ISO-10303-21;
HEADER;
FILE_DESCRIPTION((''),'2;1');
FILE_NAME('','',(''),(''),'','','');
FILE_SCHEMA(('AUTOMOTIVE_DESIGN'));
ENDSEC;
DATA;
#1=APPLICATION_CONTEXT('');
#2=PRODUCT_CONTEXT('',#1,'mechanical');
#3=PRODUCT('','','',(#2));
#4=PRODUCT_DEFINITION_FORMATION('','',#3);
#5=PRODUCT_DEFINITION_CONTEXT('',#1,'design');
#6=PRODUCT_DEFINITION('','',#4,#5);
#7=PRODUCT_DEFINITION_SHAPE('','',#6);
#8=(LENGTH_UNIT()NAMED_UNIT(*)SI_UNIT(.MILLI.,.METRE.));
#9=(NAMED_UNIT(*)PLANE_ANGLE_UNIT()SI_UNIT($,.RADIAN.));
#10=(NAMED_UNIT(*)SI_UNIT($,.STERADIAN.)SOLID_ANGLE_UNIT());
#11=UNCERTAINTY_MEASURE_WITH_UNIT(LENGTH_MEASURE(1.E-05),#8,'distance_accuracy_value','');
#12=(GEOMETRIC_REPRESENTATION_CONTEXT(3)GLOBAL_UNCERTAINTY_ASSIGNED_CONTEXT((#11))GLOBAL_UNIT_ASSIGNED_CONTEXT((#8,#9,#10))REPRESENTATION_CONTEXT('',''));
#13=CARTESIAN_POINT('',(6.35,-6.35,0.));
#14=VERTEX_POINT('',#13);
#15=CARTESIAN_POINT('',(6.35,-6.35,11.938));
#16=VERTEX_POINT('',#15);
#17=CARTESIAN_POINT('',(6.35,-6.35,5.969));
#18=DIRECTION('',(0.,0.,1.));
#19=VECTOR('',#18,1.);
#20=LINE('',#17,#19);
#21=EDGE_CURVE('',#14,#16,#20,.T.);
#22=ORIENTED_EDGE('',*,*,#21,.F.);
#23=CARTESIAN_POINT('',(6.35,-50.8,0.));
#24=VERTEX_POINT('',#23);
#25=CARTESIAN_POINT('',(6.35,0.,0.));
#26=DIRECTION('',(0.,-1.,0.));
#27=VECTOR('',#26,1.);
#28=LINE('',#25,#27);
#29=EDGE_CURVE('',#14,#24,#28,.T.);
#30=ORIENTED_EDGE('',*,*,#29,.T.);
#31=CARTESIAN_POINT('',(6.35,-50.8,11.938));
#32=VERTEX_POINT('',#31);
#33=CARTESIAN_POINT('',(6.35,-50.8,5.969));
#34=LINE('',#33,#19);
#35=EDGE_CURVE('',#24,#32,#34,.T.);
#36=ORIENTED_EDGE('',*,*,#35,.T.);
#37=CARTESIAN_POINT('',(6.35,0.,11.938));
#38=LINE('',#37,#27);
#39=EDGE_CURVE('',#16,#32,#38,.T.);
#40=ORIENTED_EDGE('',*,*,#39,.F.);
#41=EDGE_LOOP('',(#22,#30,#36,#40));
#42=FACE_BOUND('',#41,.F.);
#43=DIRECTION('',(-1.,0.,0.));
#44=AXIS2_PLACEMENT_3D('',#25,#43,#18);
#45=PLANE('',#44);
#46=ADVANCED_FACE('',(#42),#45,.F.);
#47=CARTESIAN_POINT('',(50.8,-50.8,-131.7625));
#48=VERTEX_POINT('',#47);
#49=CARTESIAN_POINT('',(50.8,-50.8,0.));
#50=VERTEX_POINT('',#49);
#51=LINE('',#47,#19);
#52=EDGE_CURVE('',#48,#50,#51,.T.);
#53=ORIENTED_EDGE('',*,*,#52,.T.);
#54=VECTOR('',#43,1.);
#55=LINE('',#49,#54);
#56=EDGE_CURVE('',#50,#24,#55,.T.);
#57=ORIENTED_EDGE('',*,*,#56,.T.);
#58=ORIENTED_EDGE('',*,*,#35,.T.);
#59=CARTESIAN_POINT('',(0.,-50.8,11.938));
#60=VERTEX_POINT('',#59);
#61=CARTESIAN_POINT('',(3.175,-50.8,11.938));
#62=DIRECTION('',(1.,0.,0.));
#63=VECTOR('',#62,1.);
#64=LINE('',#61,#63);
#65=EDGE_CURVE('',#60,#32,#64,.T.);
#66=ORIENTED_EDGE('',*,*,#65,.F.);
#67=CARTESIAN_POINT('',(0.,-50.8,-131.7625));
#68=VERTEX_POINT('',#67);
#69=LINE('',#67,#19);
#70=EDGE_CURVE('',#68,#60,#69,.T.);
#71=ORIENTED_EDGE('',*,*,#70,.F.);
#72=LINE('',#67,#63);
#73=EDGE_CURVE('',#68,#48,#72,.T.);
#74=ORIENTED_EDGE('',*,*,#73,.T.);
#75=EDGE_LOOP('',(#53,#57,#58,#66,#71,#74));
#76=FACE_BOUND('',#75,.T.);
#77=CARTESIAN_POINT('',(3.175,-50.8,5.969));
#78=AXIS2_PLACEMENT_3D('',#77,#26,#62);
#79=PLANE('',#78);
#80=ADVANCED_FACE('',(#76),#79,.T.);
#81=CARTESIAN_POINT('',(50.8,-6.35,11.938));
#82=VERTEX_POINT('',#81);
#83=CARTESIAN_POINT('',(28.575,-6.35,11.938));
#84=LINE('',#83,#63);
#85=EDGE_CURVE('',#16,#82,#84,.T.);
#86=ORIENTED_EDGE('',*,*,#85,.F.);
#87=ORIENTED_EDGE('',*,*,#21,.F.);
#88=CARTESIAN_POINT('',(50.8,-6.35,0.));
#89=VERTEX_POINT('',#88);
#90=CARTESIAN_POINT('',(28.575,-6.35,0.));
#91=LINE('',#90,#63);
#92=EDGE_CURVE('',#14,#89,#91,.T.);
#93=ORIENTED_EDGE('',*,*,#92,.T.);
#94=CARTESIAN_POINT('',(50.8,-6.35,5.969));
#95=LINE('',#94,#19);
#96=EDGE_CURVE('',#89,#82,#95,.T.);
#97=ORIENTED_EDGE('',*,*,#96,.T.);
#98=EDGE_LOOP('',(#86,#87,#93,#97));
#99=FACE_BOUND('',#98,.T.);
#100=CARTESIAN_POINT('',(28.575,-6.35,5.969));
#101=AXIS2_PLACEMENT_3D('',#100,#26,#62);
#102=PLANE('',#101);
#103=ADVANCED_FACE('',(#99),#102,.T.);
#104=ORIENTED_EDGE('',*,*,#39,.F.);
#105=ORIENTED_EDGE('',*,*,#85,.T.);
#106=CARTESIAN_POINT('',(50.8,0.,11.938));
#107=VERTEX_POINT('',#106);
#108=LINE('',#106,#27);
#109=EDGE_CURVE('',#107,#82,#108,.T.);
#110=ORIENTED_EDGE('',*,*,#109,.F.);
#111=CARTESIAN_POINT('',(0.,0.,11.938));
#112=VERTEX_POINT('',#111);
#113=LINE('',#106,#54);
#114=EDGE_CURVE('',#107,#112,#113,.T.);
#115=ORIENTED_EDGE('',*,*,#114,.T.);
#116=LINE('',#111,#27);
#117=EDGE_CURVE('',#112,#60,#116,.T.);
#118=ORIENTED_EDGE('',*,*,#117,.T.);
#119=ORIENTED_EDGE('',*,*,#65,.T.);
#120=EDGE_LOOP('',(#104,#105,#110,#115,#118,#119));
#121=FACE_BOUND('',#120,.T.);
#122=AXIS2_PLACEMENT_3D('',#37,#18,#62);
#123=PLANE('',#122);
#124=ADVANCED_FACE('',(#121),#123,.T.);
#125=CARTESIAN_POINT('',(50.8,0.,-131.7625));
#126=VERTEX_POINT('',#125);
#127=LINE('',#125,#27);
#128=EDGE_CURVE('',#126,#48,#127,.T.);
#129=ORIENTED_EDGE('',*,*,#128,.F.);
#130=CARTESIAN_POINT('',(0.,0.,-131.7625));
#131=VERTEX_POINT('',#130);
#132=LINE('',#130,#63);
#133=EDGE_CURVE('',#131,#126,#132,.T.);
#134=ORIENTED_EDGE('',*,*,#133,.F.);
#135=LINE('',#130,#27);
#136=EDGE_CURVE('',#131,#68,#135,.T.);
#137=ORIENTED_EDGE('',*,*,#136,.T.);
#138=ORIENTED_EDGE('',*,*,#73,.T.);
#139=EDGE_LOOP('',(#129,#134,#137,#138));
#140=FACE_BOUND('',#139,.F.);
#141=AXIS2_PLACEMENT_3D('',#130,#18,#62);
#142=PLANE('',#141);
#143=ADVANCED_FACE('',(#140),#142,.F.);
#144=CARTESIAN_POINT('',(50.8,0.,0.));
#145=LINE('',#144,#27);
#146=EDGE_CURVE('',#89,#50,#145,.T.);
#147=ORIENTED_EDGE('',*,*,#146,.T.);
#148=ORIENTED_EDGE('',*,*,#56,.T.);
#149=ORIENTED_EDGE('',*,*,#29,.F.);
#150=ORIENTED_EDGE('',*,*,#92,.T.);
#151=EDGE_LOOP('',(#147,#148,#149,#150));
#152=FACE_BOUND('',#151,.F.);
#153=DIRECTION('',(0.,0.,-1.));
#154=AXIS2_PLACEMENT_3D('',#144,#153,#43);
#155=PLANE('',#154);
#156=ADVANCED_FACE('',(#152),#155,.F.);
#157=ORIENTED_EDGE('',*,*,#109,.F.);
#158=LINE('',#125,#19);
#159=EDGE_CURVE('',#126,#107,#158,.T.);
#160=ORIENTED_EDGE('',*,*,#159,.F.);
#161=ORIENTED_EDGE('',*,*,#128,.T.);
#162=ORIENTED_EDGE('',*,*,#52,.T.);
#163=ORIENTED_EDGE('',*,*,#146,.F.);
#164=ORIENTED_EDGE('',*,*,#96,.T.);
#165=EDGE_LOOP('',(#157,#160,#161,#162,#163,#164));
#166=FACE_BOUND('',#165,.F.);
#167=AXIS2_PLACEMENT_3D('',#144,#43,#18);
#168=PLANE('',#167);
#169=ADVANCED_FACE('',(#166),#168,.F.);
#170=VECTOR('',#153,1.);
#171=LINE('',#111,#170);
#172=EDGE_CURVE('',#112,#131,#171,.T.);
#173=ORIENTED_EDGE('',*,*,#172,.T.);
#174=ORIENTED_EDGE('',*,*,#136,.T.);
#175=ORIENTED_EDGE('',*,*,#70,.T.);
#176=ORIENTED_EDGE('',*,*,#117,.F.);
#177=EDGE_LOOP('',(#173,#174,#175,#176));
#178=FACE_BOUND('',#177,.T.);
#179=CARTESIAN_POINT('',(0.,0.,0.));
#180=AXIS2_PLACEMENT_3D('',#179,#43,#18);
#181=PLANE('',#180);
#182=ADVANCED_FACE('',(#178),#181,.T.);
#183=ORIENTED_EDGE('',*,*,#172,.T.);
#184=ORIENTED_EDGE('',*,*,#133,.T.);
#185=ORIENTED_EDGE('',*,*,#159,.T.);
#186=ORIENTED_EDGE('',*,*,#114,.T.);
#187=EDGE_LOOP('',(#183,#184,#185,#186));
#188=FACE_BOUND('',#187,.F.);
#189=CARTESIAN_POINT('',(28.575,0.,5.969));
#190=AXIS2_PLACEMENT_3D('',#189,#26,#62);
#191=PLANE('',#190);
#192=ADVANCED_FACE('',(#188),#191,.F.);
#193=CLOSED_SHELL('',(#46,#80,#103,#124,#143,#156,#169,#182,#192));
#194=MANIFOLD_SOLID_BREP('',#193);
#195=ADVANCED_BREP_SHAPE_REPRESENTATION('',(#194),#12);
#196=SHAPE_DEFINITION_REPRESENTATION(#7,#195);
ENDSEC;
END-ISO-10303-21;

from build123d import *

# Parameters (mm, degrees)
F1_DEPTH = 50.8
F0_W     = 6.35
F0_H     = 11.938
F2_DEPTH = 50.8
F0_W_2   = 44.45
F3_DEPTH = 6.35


with BuildPart() as f1:
    # F0 (on Front) → F1 (new body)
    with BuildSketch(Plane.XZ):
        Polygon((6.35, 0), (0, 0), (0, -131.7625), (50.8, -131.7625), (50.8, 0), align=None)
    extrude(amount=F1_DEPTH)

    # F0 (on Front) → F2 (join, through all)
    with BuildSketch(Plane.XZ):
        with Locations((3.175, 5.969)):
            Rectangle(F0_W, F0_H)
    extrude(amount=F2_DEPTH)

    # F0 (on Front) → F3 (join)
    with BuildSketch(Plane.XZ):
        with Locations((28.575, 5.969)):
            Rectangle(F0_W_2, F0_H)
    extrude(amount=F3_DEPTH)


solid = f1.part
